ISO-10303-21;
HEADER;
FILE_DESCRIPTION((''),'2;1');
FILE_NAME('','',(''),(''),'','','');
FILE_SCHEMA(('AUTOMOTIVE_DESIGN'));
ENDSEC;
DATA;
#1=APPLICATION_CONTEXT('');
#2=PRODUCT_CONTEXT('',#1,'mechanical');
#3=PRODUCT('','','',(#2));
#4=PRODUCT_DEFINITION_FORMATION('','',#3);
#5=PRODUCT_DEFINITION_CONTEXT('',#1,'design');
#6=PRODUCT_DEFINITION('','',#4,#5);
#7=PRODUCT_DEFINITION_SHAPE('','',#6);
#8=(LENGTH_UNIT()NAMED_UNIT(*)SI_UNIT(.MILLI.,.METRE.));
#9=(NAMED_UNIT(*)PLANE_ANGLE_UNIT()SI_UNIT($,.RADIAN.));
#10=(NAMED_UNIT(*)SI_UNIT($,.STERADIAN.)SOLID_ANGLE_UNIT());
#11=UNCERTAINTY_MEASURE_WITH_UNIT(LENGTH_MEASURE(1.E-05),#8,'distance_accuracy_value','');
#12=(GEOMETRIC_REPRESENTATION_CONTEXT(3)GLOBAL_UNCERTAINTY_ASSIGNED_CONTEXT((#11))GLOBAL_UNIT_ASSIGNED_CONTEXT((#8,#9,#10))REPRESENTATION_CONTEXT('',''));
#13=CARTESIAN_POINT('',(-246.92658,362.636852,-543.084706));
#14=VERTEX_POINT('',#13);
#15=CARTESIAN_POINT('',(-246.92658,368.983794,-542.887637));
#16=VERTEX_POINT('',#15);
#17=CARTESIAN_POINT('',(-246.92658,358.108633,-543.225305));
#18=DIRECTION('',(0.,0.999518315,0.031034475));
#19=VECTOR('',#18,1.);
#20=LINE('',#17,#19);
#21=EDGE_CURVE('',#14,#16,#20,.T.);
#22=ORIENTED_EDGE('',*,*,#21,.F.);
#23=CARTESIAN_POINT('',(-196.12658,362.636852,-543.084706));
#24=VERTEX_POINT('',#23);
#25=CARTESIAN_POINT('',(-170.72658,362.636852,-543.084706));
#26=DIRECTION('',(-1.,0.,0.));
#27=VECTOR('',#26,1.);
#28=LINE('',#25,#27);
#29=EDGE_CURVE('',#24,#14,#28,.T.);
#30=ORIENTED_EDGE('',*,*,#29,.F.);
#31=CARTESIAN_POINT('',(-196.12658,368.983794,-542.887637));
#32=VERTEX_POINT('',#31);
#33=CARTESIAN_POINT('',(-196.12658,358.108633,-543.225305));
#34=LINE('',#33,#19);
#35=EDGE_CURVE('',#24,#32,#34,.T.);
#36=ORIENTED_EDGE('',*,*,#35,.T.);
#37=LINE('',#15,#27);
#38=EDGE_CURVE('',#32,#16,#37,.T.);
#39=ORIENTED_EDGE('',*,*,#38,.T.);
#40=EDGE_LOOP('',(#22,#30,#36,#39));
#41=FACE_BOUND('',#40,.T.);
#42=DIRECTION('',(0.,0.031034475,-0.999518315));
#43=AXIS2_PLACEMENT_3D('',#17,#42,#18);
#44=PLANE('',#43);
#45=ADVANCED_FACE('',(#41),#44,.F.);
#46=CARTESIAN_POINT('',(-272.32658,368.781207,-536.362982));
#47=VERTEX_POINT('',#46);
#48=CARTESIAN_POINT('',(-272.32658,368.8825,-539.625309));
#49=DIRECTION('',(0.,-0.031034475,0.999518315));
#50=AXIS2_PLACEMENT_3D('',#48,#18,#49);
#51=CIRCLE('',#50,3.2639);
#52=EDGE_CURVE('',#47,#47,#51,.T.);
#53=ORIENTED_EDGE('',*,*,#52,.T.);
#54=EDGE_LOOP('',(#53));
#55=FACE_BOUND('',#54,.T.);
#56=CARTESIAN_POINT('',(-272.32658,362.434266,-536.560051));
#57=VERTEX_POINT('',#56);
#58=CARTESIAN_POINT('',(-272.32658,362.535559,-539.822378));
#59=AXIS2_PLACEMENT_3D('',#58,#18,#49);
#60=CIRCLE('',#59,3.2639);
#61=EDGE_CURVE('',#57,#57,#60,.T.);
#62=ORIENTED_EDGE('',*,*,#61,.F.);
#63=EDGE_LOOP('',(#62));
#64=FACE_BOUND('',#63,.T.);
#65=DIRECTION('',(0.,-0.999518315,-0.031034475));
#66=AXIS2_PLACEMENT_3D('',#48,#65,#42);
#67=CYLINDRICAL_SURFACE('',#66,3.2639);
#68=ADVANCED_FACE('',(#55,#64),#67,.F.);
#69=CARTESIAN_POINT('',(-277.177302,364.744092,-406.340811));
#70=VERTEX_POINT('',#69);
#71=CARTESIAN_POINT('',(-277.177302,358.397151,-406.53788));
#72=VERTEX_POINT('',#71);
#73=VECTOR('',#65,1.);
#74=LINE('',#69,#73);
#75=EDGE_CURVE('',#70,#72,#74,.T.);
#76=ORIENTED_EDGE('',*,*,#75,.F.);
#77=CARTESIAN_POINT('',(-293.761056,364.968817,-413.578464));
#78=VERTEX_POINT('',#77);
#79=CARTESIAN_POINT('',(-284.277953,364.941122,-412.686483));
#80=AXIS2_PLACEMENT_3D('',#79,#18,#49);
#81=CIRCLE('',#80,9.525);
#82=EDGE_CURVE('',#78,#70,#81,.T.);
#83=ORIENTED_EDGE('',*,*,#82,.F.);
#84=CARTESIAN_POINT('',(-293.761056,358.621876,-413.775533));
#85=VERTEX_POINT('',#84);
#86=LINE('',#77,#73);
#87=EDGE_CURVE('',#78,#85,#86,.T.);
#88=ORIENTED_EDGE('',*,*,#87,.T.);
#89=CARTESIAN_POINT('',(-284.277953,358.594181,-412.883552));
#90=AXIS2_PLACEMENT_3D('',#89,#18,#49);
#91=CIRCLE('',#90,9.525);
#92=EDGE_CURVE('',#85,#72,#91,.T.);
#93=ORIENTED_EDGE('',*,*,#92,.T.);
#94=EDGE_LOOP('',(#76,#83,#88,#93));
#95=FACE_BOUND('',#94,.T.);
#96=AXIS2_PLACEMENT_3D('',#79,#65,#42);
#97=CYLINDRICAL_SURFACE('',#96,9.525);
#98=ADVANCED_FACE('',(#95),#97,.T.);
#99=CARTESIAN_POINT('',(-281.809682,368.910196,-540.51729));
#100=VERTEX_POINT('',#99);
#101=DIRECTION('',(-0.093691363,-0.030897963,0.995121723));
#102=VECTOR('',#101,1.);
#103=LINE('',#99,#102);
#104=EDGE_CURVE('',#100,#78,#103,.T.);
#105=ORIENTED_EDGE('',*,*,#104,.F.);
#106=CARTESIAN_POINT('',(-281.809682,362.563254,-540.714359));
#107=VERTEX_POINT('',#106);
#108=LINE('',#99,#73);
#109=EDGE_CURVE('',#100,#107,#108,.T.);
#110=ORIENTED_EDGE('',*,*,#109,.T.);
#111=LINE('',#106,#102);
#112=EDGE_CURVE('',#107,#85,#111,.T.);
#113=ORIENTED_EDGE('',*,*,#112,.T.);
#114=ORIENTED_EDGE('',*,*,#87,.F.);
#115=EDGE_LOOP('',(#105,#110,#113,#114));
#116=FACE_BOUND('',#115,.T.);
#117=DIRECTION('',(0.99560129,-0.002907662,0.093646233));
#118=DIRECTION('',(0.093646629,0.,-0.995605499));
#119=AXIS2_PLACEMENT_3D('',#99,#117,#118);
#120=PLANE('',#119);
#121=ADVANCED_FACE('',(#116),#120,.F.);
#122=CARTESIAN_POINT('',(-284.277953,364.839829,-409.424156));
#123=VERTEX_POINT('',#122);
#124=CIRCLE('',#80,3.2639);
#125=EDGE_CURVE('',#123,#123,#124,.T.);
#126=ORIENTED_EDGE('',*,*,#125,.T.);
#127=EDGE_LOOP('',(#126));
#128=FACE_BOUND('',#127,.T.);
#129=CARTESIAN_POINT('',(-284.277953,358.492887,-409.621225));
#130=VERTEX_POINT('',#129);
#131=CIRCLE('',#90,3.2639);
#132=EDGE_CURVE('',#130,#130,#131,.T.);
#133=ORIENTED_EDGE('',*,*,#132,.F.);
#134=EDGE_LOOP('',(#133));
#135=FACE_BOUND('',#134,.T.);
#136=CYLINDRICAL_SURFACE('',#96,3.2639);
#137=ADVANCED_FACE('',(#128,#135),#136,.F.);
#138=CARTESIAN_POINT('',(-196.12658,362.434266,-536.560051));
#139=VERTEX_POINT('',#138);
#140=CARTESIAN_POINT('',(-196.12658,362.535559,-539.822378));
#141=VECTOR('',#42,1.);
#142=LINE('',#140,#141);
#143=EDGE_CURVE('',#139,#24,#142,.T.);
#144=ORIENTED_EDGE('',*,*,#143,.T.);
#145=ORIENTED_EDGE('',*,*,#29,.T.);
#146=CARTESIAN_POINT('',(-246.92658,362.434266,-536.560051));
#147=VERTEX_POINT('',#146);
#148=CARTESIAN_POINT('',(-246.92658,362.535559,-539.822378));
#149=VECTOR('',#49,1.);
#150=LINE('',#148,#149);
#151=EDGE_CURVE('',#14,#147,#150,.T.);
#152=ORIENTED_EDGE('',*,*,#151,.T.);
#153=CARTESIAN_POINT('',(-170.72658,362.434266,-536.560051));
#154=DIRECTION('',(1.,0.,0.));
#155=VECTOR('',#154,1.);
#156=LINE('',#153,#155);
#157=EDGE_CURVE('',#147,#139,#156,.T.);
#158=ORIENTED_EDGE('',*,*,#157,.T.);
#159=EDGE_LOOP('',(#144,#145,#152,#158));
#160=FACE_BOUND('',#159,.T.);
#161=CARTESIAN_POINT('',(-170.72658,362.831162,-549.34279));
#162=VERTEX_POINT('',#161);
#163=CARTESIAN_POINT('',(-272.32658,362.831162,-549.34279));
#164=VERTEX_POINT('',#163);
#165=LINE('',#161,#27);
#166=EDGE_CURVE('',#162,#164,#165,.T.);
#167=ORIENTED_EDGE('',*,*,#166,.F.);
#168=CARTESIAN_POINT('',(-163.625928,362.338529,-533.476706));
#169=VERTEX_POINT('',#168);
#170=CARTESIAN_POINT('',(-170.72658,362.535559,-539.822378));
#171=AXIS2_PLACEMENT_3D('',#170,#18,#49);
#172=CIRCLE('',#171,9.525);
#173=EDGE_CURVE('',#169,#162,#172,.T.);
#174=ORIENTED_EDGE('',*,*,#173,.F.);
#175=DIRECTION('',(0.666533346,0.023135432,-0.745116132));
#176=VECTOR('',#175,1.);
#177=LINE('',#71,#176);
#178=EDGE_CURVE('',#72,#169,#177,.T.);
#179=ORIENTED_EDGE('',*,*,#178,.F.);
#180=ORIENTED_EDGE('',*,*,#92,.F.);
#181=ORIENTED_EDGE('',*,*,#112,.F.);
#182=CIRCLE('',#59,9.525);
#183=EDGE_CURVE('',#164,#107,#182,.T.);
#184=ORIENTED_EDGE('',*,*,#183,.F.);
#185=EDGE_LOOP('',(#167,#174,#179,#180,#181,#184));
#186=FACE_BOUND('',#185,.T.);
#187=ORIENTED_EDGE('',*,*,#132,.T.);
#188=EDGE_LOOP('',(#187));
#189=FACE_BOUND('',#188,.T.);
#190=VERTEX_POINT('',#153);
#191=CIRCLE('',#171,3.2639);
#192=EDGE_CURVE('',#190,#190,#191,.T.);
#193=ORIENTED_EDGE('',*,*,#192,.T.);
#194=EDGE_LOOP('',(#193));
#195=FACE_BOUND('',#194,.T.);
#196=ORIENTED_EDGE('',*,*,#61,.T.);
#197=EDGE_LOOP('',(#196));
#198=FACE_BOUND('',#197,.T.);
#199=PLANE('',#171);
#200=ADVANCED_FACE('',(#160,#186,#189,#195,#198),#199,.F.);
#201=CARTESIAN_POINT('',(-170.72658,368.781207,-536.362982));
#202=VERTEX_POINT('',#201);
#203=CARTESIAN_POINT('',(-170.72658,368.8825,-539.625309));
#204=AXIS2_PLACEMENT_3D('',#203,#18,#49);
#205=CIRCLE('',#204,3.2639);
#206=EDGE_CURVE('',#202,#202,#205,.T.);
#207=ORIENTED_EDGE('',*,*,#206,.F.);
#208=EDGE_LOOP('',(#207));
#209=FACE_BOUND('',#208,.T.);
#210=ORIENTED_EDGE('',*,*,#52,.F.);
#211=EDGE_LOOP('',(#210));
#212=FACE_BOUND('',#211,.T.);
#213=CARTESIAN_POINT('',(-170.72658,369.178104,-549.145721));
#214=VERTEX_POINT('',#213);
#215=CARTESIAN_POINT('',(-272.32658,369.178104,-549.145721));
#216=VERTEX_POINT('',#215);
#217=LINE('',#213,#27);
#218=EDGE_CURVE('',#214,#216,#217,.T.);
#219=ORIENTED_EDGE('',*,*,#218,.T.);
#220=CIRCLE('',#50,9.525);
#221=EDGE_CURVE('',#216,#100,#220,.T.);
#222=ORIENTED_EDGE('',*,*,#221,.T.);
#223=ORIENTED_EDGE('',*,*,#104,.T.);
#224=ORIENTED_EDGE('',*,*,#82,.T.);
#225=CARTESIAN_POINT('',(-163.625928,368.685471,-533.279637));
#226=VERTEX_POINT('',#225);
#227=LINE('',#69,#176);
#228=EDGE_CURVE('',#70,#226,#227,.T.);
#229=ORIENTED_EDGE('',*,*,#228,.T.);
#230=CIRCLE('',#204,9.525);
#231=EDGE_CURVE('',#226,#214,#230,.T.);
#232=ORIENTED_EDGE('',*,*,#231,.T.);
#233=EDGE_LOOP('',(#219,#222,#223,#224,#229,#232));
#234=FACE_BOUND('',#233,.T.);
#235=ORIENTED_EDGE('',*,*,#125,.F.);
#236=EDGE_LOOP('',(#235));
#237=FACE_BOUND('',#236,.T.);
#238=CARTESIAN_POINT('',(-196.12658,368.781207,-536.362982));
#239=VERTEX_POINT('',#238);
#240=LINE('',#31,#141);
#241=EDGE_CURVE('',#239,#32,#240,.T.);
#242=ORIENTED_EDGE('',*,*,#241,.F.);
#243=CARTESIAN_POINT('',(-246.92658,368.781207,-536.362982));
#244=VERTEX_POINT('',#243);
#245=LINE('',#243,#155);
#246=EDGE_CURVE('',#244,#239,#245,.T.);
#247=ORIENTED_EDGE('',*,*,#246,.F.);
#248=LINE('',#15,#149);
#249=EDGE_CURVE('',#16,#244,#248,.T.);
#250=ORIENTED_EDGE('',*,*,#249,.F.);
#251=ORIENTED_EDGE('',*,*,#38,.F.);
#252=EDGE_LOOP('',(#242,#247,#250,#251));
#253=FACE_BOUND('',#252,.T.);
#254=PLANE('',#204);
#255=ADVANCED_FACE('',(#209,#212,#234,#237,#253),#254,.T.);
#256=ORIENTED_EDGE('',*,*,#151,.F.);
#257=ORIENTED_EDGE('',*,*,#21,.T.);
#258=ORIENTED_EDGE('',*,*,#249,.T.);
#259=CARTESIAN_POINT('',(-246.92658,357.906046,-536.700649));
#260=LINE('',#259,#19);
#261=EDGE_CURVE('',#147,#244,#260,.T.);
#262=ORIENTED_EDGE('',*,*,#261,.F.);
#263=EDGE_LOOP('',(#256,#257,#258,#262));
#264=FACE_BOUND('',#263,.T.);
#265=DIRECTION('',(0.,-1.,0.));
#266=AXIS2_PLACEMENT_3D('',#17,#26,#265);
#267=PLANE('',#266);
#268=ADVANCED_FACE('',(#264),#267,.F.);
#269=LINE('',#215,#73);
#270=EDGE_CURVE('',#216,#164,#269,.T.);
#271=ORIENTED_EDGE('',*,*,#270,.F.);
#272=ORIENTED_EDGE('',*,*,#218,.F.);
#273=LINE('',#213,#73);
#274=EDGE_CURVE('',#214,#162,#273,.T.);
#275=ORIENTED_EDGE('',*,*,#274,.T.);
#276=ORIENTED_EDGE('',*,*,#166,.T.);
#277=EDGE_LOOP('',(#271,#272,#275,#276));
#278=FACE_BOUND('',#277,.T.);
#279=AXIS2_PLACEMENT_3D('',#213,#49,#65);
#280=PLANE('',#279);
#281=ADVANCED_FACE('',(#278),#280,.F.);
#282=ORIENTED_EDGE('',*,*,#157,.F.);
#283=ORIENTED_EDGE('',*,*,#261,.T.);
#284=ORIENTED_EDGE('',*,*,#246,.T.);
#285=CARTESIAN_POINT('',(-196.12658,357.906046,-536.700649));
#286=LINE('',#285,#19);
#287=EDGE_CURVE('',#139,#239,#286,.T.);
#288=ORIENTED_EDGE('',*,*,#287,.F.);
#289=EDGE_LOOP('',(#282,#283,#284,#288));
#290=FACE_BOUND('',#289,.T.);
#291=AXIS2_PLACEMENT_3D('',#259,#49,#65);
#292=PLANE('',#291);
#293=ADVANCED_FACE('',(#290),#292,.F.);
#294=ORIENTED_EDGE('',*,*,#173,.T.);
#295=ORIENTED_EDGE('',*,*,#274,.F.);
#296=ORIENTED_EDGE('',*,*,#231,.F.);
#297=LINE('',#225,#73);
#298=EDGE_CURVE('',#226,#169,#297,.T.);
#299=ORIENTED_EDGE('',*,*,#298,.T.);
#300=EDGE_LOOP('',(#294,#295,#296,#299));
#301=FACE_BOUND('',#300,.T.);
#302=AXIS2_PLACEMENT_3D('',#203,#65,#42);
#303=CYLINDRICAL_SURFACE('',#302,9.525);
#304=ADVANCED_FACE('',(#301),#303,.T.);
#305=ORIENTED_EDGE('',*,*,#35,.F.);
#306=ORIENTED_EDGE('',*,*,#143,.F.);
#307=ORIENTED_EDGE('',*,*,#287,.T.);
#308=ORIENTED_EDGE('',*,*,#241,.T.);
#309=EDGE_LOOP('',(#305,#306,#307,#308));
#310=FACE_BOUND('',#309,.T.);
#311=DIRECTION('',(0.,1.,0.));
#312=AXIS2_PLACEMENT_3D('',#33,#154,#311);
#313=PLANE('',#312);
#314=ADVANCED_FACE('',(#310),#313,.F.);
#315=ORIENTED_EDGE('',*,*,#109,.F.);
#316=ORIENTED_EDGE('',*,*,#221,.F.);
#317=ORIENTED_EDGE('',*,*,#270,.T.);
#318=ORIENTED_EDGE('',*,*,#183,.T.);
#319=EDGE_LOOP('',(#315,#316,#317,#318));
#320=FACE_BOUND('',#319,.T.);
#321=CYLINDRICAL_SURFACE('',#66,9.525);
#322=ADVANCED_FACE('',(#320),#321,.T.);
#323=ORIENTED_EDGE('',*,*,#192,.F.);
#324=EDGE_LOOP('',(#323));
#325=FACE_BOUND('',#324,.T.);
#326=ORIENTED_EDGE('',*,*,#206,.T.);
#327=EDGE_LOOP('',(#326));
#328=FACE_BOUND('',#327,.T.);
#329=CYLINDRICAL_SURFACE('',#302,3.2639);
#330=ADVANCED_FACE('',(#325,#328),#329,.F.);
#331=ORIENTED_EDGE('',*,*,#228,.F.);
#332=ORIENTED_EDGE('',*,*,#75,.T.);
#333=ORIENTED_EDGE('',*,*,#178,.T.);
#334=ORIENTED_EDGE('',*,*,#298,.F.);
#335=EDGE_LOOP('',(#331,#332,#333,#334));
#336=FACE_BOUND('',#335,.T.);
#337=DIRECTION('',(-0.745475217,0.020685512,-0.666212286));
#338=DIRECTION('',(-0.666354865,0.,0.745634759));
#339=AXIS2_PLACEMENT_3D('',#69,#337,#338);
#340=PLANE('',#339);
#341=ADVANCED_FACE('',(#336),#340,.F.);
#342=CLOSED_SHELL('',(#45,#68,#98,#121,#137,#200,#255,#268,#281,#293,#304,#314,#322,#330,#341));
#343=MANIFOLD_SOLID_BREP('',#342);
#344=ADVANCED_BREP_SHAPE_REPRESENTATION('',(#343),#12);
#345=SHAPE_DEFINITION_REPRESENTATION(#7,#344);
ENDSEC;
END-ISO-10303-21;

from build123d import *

# Parameters (mm, degrees)
SKETCH1_R           = 3.2639
BOSS_EXTRUDE1_DEPTH = 6.35
SKETCH2_W           = 50.8
SKETCH2_H           = 6.5278
CUT_EXTRUDE1_DEPTH  = 633.86660682


with BuildPart() as part:
    # Sketch1 → Boss-Extrude1 (new body)
    with BuildSketch(Plane(origin=(0, 345.441352572, 10.725757471), x_dir=(1, 0, 0), z_dir=(0, 0.9995183146693659, 0.0310344750319807))):
        with BuildLine():
            Line((-170.726579561, 560.338454563), (-272.326579561, 560.338454563))
            ThreePointArc((-272.326579561, 560.338454563), (-278.738498836, 557.857098237), (-281.809681848, 551.705864791))
            Line((-281.809681848, 551.705864791), (-293.761055515, 424.705864791))
            ThreePointArc((-293.761055515, 424.705864791), (-288.089455083, 415.084303481), (-277.177301788, 417.464724444))
            Line((-277.177301788, 417.464724444), (-163.62592812, 544.464724444))
            ThreePointArc((-163.62592812, 544.464724444), (-162.031831739, 554.702797092), (-170.726579561, 560.338454563))
        make_face()
        with Locations(Location((-284.277953229, 423.813454563, 0), (0, 0, 270))):
            Circle(SKETCH1_R, mode=Mode.SUBTRACT)
        with Locations(Location((-272.326579561, 550.813454563, 0), (0, 0, 270))):
            Circle(SKETCH1_R, mode=Mode.SUBTRACT)
        with Locations(Location((-170.726579561, 550.813454563, 0), (0, 0, 270))):
            Circle(SKETCH1_R, mode=Mode.SUBTRACT)
    extrude(amount=BOSS_EXTRUDE1_DEPTH)

    # Sketch2 → Cut-Extrude1 (cut, through all)
    with BuildSketch(Plane(origin=(0, 351.78829387, 10.922826388), x_dir=(1, 0, 0), z_dir=(0, 0.9995183146693659, 0.03103447503198071))):
        with Locations((-221.526579561, 550.813454563)):
            Rectangle(SKETCH2_W, SKETCH2_H)
    extrude(amount=-CUT_EXTRUDE1_DEPTH, mode=Mode.SUBTRACT)


solid = part.part
